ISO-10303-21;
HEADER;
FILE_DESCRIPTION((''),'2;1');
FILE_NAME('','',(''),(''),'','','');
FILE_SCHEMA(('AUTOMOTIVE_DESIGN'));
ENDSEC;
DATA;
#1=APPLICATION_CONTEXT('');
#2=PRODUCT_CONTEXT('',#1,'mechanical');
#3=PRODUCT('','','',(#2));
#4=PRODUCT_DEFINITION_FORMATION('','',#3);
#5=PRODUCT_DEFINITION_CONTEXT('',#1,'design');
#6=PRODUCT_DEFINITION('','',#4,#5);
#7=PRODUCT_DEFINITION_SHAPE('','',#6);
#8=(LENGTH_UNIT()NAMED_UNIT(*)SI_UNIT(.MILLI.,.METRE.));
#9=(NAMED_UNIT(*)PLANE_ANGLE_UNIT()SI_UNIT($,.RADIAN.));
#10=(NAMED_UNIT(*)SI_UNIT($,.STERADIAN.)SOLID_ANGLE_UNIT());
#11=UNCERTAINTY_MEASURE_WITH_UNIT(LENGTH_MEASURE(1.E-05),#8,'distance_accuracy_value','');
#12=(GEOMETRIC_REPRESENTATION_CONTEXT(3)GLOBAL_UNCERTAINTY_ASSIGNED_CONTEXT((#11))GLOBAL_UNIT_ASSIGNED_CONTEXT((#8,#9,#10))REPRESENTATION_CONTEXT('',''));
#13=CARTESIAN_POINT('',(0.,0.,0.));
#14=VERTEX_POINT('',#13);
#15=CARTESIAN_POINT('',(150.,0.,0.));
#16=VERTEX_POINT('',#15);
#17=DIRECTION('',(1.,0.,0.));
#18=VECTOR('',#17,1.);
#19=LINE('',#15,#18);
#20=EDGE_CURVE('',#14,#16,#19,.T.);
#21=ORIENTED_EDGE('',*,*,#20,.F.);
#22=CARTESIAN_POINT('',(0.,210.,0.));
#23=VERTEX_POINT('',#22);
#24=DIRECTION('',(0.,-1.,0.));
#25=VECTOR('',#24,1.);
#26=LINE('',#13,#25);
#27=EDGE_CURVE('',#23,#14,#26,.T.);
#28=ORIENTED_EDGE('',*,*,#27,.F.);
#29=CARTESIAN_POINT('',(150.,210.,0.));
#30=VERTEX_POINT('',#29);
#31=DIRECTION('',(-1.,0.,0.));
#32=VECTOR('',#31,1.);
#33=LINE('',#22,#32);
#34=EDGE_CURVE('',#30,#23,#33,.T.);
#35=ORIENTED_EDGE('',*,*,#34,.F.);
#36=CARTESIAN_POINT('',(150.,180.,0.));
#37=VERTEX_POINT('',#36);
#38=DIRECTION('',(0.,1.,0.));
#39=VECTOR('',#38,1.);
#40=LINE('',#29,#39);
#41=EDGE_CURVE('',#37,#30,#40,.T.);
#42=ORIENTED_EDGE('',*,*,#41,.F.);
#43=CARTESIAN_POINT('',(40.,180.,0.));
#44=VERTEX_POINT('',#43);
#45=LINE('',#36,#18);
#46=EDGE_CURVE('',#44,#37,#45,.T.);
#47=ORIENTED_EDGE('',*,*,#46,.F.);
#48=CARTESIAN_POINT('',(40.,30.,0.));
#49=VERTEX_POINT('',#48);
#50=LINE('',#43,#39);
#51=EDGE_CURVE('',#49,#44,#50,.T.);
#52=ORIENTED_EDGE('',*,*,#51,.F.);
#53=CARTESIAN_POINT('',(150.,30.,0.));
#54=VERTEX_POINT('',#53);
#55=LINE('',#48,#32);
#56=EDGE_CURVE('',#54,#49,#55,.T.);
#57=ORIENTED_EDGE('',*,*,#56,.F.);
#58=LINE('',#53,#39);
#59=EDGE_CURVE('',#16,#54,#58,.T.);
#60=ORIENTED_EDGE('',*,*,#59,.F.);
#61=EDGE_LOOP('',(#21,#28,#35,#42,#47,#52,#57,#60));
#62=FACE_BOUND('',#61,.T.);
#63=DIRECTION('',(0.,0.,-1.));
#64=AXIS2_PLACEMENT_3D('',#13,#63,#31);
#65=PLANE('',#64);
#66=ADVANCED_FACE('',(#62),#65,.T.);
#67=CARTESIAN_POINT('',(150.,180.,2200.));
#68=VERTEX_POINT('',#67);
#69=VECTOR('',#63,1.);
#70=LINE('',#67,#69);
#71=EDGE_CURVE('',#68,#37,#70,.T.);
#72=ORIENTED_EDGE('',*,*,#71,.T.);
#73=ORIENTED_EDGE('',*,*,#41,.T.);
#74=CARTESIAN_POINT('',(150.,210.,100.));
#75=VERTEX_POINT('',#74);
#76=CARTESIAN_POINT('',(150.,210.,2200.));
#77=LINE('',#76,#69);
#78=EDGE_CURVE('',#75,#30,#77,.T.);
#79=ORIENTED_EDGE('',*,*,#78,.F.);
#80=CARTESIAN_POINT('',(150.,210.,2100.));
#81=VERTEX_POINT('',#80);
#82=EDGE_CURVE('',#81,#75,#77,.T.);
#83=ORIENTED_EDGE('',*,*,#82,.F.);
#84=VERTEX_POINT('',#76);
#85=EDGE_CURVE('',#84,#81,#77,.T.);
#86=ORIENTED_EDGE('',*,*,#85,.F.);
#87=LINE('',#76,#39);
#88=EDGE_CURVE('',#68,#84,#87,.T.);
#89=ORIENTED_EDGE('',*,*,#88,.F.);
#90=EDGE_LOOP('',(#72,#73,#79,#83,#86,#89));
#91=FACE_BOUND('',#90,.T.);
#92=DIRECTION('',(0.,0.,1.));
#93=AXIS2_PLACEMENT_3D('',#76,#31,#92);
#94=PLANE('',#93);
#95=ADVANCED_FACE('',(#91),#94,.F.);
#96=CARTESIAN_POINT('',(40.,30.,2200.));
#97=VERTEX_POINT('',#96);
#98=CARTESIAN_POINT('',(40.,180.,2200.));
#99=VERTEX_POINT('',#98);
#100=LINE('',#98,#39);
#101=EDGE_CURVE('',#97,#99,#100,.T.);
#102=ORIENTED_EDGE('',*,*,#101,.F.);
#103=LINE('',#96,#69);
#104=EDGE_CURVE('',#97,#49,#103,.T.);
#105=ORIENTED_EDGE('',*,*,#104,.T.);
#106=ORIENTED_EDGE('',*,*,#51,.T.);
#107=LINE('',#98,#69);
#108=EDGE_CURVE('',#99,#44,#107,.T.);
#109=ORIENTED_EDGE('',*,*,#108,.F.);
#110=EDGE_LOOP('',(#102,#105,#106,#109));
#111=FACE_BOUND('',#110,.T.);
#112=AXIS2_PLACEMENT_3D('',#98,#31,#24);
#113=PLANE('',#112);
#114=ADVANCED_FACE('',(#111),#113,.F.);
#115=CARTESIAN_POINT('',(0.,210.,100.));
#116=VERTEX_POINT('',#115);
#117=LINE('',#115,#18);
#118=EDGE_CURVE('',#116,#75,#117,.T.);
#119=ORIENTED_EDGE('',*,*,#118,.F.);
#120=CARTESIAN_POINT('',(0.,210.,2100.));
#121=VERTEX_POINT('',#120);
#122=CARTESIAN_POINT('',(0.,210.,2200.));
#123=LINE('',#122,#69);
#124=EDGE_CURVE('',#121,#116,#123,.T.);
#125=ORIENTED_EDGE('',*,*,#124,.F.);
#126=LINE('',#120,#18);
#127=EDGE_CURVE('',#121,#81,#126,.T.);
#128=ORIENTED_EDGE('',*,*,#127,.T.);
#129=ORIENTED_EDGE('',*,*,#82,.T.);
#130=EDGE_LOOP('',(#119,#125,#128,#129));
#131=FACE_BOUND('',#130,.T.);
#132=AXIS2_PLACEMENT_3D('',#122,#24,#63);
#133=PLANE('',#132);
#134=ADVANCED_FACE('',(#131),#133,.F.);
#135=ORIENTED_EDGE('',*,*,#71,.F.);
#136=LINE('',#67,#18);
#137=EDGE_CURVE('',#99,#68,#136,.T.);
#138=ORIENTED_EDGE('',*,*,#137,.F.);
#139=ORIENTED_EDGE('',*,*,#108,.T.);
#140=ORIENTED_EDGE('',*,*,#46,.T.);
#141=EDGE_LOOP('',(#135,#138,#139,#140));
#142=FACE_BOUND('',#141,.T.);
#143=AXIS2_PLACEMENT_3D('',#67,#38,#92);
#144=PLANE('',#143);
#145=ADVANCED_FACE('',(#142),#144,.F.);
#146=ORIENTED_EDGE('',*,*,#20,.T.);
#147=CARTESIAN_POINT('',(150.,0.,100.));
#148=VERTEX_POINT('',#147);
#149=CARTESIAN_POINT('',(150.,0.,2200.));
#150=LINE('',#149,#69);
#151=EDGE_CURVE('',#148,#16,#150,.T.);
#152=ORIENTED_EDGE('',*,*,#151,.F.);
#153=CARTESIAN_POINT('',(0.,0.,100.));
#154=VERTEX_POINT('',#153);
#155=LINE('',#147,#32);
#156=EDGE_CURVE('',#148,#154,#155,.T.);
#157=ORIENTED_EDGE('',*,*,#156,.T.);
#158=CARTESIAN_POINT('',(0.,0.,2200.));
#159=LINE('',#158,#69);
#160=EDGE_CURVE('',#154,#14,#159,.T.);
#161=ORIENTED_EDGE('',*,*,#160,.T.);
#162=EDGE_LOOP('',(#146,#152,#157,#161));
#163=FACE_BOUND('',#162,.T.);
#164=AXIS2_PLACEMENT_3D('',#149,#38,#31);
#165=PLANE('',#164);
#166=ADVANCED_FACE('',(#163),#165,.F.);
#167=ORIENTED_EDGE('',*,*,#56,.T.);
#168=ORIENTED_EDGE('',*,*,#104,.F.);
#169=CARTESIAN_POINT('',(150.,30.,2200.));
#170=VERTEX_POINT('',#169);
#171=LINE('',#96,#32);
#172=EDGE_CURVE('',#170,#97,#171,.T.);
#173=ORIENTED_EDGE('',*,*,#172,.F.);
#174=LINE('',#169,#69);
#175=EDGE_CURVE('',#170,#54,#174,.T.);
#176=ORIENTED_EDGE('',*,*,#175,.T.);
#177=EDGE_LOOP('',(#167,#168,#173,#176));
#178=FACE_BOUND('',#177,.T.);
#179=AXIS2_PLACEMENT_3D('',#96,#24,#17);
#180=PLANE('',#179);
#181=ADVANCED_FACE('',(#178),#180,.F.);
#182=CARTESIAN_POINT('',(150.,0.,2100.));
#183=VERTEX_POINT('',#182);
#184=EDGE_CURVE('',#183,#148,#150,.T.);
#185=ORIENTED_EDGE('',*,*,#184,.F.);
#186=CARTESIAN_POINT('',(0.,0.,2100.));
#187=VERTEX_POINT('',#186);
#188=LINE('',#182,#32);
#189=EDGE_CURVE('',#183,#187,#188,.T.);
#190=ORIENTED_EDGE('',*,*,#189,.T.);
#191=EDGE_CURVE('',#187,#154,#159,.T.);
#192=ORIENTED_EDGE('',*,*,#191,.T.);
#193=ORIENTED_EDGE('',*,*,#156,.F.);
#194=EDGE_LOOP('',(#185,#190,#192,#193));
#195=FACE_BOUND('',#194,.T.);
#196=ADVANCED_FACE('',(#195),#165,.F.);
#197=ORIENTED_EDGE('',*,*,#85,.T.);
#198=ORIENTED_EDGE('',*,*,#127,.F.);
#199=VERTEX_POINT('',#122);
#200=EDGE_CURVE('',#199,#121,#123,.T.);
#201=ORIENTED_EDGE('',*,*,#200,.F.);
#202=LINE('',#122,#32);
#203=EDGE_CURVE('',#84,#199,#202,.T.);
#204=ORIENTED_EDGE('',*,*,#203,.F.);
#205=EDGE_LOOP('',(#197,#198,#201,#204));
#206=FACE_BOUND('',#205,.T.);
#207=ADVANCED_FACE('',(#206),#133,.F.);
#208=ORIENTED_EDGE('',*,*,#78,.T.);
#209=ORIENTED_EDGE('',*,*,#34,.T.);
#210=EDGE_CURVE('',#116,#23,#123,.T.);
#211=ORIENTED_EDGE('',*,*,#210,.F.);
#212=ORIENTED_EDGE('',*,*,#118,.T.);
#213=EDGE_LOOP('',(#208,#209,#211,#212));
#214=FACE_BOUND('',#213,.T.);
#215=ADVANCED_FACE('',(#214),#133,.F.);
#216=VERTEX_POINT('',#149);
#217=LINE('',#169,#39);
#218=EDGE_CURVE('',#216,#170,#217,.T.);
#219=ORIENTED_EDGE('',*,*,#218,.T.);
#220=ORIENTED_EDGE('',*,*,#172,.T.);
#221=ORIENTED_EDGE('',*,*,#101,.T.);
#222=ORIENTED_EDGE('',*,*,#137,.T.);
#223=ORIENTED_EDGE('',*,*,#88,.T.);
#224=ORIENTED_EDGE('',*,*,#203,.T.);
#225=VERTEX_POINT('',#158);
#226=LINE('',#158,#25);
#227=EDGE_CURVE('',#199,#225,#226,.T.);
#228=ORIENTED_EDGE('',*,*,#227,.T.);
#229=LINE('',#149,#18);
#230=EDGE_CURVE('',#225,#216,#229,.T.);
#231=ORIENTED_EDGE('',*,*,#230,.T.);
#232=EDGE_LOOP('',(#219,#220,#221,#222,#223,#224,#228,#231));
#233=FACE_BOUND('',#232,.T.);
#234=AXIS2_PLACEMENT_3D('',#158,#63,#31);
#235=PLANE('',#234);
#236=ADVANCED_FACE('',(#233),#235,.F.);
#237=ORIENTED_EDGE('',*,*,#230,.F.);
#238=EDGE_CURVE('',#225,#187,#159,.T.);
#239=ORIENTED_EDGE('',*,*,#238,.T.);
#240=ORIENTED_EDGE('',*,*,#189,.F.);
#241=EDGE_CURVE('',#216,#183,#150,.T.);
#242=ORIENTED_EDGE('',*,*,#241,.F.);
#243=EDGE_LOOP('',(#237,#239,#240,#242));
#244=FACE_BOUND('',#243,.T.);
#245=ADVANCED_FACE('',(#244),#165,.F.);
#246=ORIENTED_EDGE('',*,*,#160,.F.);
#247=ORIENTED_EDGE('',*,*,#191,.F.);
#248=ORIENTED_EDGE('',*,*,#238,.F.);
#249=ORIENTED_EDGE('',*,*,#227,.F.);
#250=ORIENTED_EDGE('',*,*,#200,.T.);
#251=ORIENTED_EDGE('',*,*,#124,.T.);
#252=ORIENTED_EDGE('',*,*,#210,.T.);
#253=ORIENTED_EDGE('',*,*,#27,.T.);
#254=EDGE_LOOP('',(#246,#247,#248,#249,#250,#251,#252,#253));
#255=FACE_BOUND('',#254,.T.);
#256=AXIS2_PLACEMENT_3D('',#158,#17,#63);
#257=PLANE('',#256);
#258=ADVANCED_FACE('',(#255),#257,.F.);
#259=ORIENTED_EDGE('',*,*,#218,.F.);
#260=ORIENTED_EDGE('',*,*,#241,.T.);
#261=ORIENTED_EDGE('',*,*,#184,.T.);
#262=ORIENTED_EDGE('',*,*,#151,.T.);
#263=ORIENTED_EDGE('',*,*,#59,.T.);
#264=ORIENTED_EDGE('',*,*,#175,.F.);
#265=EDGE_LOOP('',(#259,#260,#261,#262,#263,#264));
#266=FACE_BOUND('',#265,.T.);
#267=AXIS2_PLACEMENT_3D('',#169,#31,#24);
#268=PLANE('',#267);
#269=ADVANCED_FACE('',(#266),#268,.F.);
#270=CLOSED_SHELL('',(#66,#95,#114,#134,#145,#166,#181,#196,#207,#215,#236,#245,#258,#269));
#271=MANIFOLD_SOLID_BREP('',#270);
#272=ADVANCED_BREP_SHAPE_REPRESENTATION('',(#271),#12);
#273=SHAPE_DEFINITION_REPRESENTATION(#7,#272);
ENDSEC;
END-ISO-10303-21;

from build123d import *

# Parameters (mm, degrees)
DODANIE_WYCI_GNI_CIE1_DEPTH = 2200


with BuildPart() as part:
    # Szkic1 → Dodanie-wyciągnięcie1 (new body)
    with BuildSketch(Plane.XY):
        Polygon((0, 0), (0, 210), (150, 210), (150, 180), (40, 180), (40, 30), (150, 30), (150, 0), align=None)
    extrude(amount=DODANIE_WYCI_GNI_CIE1_DEPTH)


solid = part.part
